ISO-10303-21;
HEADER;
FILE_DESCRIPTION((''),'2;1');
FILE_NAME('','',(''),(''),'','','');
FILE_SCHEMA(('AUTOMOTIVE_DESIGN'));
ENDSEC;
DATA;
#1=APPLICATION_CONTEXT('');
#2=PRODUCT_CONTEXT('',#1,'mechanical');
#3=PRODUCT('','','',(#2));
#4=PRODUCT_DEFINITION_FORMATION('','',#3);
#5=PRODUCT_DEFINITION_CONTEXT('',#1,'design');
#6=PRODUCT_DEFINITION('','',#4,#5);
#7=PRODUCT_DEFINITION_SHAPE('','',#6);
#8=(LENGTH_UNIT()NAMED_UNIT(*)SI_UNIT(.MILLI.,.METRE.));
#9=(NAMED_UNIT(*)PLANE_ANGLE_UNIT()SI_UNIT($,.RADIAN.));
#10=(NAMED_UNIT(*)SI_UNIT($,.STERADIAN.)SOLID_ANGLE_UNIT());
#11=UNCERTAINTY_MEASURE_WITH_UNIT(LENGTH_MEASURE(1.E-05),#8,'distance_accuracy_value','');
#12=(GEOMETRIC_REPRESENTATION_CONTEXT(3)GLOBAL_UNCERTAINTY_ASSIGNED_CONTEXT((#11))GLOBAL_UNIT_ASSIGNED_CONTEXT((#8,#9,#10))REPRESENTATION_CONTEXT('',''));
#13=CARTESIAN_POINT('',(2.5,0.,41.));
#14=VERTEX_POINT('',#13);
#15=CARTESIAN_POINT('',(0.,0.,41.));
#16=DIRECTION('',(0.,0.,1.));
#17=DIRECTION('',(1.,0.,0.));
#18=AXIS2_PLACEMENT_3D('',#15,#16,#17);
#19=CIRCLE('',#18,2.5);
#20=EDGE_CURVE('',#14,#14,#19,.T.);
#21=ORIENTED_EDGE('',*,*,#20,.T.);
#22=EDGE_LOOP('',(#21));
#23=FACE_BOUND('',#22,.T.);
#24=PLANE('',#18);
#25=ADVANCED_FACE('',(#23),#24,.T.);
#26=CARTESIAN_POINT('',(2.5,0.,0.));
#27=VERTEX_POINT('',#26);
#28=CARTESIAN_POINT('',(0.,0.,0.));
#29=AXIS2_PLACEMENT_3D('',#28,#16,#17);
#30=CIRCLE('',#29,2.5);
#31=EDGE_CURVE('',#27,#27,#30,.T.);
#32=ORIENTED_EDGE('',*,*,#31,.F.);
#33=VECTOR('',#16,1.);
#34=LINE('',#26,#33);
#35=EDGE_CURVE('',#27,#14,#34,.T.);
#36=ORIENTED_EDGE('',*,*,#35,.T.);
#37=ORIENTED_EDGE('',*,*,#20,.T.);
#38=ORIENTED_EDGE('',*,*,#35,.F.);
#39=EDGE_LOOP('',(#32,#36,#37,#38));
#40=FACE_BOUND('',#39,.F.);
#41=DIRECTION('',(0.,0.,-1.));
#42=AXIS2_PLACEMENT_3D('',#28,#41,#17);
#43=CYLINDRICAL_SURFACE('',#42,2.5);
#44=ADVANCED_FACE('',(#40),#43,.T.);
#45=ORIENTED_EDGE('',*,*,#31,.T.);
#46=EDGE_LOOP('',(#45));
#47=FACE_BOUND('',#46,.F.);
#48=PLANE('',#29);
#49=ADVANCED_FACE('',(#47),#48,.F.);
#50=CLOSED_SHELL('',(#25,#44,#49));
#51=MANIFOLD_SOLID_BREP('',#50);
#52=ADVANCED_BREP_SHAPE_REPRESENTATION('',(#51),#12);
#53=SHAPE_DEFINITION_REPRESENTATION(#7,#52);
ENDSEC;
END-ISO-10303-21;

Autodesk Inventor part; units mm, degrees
sketch "Sketch_1" plane through (0, 0, 0) normal (0, 0, 1) x (1, 0, 0)
  circle A0 centre (0, 0) radius 2.5
extrude "Extrusion1" add sketch "Sketch_1" along normal blind 41
ref_plane "1_to_2_XY" through (0, 0, 20.5) normal (0, 0, 1) x (1, 0, 0)
ref_plane "1_to_2_YZ" through (0, 0, 20.5) normal (1, 0, 0) x (0, 1, 0)
ref_plane "1_to_2_ZX" through (0, 0, 20.5) normal (0, 1, 0) x (0, 0, 1)
ref_plane "1_to_3_XY" through (0, 0, 20.5) normal (0, 0, 1) x (1, 0, 0)
ref_plane "1_to_3_YZ" through (0, 0, 20.5) normal (1, 0, 0) x (0, 1, 0)
ref_plane "1_to_3_ZX" through (0, 0, 20.5) normal (0, 1, 0) x (0, 0, 1)
properties part number "SHPSNA5_1"
